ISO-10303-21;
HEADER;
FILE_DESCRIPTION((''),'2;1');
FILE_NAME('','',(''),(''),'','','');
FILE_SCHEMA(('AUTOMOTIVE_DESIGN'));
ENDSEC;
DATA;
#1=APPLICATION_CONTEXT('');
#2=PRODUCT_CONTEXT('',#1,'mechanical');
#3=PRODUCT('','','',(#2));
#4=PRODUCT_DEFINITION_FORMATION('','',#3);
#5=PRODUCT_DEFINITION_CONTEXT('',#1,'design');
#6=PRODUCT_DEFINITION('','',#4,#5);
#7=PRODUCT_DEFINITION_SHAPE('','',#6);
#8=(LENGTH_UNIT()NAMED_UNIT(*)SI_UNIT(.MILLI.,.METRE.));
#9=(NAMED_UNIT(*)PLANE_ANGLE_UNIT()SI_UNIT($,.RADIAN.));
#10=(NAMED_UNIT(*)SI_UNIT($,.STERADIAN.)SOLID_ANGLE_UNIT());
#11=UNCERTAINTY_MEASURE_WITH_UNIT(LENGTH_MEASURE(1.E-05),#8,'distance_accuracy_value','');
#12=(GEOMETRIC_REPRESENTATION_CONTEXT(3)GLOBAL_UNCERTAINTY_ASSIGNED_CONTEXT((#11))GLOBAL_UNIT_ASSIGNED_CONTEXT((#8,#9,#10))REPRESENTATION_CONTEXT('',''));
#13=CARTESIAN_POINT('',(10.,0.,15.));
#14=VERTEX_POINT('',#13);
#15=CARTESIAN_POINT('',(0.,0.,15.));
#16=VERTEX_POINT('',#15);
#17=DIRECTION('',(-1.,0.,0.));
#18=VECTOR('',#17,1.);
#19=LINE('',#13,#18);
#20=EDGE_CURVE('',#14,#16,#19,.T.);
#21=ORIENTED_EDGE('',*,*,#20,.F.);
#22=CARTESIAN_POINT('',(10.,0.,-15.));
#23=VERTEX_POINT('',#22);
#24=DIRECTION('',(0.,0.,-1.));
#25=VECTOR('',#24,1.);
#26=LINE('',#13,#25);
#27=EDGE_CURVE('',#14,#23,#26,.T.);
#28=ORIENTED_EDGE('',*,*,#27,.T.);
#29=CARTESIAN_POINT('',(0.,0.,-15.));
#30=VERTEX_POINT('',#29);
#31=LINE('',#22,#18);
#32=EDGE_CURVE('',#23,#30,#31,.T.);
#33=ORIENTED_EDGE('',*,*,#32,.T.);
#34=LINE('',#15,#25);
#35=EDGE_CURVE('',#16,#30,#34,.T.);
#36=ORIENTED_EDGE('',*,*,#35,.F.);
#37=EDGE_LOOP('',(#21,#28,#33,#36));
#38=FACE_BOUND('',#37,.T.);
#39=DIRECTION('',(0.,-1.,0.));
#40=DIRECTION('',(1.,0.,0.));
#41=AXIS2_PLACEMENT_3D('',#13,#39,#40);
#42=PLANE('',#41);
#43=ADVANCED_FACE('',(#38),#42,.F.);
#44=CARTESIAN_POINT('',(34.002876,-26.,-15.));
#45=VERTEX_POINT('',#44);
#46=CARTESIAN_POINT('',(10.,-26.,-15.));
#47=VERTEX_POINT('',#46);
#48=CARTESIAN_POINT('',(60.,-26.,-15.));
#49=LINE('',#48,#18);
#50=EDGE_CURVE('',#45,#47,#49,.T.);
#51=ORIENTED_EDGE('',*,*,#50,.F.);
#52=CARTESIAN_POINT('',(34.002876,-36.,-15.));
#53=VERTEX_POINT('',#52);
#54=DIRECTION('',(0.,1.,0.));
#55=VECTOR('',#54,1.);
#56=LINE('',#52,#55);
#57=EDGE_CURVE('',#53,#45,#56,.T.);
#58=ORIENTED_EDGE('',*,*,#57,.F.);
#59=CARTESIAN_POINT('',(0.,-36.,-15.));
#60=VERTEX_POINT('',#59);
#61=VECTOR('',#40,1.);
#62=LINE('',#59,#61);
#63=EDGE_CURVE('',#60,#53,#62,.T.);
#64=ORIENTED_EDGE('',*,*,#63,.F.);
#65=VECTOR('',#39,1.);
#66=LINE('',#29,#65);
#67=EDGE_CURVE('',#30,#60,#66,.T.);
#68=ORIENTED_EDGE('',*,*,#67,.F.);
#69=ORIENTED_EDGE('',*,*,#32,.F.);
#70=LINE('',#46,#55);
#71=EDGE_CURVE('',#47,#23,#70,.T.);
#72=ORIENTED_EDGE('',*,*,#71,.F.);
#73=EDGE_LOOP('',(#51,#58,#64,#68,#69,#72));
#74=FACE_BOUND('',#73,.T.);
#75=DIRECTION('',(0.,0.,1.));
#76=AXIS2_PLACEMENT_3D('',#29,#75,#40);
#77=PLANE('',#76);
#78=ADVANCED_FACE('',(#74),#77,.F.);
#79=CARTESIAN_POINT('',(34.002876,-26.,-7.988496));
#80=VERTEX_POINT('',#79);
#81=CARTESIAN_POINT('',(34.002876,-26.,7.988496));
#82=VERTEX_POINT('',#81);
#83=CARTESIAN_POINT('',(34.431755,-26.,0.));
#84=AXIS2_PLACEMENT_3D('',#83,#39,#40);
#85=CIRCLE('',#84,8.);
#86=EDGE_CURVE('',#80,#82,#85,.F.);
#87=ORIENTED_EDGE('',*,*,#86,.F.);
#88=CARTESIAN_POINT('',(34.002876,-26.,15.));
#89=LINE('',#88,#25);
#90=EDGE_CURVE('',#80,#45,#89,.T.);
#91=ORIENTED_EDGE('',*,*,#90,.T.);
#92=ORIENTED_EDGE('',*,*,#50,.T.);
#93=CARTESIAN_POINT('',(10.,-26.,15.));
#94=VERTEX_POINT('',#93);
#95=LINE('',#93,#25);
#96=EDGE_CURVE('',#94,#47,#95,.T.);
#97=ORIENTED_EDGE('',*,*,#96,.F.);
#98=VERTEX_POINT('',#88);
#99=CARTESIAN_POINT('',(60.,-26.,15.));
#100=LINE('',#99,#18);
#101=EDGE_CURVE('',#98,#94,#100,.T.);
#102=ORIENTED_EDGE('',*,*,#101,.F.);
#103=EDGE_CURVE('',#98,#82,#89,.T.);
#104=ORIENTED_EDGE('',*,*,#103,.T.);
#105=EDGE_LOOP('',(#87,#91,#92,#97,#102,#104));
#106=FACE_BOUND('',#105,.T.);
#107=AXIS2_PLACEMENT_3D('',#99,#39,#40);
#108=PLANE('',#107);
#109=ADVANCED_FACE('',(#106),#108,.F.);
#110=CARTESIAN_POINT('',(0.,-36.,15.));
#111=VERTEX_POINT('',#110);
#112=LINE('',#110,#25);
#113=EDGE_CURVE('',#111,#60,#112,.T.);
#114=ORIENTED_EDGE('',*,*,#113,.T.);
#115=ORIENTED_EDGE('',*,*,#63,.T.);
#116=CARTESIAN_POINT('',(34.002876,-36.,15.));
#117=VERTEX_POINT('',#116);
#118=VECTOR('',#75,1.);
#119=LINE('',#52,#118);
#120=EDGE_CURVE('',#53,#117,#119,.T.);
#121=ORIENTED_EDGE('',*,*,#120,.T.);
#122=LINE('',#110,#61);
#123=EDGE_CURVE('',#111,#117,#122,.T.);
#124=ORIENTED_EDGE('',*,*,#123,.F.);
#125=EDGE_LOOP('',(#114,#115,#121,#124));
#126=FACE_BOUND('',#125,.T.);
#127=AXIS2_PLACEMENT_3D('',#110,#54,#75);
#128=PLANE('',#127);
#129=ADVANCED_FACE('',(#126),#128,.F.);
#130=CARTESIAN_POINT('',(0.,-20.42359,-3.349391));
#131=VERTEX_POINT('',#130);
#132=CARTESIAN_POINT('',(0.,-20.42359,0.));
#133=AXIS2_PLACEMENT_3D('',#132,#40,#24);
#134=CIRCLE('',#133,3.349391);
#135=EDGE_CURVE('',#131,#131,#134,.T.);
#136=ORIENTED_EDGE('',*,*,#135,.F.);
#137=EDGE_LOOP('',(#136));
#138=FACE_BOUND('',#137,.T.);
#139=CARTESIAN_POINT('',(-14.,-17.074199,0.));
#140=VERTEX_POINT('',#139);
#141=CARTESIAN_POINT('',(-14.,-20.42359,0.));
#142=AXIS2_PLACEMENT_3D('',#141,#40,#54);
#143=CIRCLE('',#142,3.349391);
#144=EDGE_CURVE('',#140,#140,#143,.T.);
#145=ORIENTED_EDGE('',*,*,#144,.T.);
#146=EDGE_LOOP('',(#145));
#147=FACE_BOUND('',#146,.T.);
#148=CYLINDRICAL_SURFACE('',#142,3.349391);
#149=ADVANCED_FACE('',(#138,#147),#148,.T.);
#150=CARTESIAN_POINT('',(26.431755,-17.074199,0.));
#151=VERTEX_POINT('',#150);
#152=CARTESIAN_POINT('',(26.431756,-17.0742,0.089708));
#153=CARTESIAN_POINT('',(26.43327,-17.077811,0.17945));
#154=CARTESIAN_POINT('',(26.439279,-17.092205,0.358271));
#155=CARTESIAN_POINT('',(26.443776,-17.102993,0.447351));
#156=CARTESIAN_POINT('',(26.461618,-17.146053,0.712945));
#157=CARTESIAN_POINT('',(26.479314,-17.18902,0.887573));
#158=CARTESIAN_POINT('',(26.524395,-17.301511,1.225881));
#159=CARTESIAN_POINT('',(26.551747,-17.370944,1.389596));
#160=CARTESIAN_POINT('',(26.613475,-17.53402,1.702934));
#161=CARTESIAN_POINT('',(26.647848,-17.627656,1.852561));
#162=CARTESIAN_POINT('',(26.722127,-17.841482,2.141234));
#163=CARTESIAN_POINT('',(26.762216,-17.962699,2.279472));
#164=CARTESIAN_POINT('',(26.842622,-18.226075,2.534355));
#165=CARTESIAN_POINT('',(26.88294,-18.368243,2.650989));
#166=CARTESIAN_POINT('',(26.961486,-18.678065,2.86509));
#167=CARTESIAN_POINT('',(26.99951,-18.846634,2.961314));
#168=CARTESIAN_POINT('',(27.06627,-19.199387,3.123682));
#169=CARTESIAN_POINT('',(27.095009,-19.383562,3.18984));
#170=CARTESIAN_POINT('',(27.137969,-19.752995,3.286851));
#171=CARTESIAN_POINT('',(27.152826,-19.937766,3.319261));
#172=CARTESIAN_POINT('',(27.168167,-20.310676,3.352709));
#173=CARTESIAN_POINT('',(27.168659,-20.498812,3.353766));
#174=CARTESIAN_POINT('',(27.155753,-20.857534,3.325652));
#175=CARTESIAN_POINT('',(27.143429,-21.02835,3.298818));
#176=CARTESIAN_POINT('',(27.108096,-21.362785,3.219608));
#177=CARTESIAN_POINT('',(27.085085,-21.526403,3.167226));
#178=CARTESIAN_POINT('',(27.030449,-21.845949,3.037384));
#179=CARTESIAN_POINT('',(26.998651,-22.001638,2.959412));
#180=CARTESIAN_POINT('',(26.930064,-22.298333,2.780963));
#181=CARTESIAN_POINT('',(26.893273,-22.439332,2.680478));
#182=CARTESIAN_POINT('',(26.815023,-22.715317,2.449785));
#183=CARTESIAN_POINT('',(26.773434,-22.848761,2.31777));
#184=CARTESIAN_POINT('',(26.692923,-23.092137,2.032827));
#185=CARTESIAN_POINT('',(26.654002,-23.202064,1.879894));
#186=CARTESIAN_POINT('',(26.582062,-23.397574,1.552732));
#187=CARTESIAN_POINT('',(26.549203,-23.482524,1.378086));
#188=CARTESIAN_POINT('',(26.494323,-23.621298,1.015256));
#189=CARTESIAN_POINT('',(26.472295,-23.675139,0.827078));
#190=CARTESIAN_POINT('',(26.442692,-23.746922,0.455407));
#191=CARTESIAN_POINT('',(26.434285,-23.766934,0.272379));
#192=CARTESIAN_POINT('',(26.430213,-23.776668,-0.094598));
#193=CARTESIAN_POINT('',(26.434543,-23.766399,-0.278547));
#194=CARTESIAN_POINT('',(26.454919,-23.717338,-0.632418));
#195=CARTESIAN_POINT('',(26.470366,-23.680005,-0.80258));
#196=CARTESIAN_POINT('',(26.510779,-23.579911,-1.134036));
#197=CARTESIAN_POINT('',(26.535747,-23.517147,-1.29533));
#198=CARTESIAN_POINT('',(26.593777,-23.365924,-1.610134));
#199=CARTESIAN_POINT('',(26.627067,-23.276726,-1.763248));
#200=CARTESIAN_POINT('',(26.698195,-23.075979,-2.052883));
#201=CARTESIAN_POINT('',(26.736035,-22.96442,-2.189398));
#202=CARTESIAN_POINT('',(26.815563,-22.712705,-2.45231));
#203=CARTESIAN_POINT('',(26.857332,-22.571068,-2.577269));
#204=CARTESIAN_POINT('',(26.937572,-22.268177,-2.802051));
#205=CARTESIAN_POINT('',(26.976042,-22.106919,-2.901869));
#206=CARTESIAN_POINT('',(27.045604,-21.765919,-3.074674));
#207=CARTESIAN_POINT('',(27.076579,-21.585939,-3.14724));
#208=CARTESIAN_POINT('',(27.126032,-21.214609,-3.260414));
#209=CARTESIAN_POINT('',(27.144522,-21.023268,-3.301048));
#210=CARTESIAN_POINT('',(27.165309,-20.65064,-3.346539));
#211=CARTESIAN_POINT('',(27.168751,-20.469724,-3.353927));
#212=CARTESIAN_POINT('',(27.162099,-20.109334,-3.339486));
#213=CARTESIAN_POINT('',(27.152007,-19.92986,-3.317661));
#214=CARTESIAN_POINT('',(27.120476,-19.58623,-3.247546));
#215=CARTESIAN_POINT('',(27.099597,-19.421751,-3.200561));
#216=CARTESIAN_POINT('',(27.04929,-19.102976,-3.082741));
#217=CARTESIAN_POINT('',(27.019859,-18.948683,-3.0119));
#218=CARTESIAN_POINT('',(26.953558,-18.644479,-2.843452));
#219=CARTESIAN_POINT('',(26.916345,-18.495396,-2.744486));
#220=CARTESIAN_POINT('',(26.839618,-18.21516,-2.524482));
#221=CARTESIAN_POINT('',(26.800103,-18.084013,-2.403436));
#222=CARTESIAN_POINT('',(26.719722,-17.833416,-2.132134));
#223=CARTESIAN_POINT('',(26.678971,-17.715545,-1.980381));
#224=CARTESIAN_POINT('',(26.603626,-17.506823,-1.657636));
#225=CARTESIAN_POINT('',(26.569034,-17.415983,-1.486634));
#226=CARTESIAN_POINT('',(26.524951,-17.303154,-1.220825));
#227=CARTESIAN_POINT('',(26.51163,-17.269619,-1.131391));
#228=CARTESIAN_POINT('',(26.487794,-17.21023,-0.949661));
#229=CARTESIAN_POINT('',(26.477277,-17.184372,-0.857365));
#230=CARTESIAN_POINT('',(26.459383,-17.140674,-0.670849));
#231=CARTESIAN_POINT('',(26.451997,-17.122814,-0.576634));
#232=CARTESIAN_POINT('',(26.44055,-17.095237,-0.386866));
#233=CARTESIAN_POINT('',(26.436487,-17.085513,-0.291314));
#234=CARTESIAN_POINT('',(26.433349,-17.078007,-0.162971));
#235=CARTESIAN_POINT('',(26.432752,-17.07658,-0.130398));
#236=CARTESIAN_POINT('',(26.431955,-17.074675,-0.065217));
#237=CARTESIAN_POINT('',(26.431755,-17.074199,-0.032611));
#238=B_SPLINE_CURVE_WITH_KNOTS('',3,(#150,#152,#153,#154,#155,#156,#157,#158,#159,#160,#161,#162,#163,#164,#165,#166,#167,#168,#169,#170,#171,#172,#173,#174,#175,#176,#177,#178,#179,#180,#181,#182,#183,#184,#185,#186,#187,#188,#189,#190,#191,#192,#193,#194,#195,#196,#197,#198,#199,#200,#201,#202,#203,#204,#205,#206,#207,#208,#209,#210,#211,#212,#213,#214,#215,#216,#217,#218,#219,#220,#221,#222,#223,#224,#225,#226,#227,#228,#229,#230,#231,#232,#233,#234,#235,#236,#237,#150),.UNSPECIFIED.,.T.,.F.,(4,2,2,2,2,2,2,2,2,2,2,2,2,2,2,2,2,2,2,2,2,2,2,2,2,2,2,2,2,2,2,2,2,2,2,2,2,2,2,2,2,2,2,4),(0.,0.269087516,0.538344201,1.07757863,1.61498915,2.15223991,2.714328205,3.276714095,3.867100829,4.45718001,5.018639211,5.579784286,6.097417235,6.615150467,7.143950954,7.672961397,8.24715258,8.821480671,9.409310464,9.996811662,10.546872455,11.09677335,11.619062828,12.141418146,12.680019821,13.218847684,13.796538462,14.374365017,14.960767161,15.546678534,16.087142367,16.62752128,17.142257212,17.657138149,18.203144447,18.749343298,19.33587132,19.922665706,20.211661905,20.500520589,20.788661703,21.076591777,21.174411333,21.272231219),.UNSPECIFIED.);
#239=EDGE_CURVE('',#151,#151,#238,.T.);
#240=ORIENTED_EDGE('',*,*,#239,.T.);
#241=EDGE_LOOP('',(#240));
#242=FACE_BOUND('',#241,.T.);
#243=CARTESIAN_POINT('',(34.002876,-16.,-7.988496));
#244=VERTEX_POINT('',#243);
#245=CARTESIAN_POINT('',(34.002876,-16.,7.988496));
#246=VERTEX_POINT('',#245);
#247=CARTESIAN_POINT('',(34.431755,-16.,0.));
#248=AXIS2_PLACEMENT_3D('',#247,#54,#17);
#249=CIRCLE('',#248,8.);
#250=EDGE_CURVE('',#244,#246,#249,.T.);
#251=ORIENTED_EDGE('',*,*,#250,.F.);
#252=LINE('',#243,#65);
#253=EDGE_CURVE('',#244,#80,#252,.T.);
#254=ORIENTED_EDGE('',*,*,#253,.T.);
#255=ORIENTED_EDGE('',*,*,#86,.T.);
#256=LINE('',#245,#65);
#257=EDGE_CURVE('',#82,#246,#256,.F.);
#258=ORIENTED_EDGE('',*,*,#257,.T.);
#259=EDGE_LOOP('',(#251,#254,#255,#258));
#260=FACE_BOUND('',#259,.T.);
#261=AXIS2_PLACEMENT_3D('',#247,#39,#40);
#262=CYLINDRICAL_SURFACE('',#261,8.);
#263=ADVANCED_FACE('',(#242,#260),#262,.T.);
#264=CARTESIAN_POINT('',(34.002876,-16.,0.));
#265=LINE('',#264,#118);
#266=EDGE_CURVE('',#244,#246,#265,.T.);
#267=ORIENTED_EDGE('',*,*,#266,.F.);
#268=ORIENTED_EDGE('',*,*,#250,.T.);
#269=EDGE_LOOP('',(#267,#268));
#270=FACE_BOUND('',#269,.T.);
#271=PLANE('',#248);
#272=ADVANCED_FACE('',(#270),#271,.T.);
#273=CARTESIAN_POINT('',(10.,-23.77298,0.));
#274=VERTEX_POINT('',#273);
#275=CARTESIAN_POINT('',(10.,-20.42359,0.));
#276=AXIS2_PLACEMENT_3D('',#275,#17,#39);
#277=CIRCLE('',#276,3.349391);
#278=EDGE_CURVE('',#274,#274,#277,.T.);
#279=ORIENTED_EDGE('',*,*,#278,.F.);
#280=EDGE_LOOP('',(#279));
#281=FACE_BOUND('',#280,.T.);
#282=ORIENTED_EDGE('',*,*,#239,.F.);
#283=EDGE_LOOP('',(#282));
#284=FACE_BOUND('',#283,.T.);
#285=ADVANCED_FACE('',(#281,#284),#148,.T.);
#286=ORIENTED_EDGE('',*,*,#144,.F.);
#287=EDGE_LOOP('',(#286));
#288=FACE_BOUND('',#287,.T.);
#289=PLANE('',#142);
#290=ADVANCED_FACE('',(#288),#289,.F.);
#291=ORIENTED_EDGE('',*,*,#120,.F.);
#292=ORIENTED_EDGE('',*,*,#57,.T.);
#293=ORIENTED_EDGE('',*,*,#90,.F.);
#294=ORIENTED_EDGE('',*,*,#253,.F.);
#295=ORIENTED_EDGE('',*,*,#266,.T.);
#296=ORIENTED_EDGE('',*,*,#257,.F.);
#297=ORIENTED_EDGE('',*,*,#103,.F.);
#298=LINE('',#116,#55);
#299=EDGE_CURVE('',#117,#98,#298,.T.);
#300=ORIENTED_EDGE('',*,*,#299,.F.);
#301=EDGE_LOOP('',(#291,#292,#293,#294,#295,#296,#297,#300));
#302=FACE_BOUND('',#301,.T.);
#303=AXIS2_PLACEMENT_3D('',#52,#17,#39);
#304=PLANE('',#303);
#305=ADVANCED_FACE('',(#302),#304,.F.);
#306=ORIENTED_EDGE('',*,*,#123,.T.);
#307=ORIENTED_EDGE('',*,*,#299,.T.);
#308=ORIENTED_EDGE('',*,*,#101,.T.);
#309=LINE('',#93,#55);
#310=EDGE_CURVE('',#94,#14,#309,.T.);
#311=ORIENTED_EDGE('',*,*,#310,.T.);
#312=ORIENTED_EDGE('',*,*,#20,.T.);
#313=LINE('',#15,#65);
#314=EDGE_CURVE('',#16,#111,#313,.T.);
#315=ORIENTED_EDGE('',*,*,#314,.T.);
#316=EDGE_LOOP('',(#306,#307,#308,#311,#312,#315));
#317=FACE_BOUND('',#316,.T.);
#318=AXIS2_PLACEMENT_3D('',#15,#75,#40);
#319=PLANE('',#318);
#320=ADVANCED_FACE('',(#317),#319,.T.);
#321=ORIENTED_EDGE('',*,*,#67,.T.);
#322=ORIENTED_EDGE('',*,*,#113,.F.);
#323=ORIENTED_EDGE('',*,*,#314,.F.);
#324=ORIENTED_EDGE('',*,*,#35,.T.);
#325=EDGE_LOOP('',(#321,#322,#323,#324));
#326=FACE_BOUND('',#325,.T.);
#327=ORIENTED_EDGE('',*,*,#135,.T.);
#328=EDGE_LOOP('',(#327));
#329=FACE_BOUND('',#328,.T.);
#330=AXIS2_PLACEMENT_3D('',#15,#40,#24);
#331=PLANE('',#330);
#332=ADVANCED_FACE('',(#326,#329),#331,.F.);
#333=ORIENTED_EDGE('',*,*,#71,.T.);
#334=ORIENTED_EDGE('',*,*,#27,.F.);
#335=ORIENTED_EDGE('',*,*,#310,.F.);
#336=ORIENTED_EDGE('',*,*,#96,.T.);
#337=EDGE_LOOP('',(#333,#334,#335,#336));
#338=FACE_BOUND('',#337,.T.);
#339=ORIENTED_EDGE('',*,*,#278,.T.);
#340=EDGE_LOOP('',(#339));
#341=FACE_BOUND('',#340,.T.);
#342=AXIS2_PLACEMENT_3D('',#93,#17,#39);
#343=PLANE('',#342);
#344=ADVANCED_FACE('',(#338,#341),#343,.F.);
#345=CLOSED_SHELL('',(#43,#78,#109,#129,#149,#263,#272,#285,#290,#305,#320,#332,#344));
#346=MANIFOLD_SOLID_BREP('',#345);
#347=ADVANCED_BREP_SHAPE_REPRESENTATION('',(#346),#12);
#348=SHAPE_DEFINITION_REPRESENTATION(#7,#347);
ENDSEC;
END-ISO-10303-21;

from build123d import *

# Parameters (mm, degrees)
EXTRUDE_1_DEPTH          = 15
SKETCH_3_R               = 8
EXTRUDE_2_DEPTH          = 10
CUT_EXTRUDE_3_DEPTH      = 68.089492471
CUT_EXTRUDE_3_DEPTH_BACK = 68.089492471
SKETCH_4_W               = 25.997124379
SKETCH_4_H               = 30
EXTRUDE_START            = -24
SKETCH_5_R               = 3.349390617
EXTRUDE_13_DEPTH         = 41.166654


with BuildPart() as part:
    # 草图2 → 凸台-拉伸1 (new, symmetric)
    with BuildSketch(Plane.XY):
        Polygon((0, 0), (0, -36), (60, -36), (60, -26), (10, -26), (10, 0), align=None)
    extrude(amount=EXTRUDE_1_DEPTH, both=True)

    # 草图3 → 凸台-拉伸2 (add, symmetric)
    with BuildSketch(Plane(origin=(0, -26, 0), x_dir=(1, 0, 0), z_dir=(0, 1, 0))):
        with Locations((34.431755152, 0)):
            Circle(SKETCH_3_R)
    extrude(amount=EXTRUDE_2_DEPTH, both=True)

    # 草图4 → 切除-拉伸3 (cut, two sides: drawn at the far end of the back side and taken through both)
    with BuildSketch(Plane(origin=(0, -26, 0), x_dir=(1, 0, 0), z_dir=(0, 1, 0)).offset(-CUT_EXTRUDE_3_DEPTH_BACK)):
        with Locations((47.001437811, 0)):
            Rectangle(SKETCH_4_W, SKETCH_4_H)
    extrude(amount=CUT_EXTRUDE_3_DEPTH + CUT_EXTRUDE_3_DEPTH_BACK, mode=Mode.SUBTRACT)

    # 草图5 → 凸台-拉伸13 (add)
    with BuildSketch(Plane(origin=(10, 0, 0), x_dir=(0, 0, -1), z_dir=(1, 0, 0)).offset(EXTRUDE_START)):
        with Locations(Location((0, -20.42358982, 0), (0, 0, 90))):
            Circle(SKETCH_5_R)
    extrude(amount=EXTRUDE_13_DEPTH)


solid = part.part
